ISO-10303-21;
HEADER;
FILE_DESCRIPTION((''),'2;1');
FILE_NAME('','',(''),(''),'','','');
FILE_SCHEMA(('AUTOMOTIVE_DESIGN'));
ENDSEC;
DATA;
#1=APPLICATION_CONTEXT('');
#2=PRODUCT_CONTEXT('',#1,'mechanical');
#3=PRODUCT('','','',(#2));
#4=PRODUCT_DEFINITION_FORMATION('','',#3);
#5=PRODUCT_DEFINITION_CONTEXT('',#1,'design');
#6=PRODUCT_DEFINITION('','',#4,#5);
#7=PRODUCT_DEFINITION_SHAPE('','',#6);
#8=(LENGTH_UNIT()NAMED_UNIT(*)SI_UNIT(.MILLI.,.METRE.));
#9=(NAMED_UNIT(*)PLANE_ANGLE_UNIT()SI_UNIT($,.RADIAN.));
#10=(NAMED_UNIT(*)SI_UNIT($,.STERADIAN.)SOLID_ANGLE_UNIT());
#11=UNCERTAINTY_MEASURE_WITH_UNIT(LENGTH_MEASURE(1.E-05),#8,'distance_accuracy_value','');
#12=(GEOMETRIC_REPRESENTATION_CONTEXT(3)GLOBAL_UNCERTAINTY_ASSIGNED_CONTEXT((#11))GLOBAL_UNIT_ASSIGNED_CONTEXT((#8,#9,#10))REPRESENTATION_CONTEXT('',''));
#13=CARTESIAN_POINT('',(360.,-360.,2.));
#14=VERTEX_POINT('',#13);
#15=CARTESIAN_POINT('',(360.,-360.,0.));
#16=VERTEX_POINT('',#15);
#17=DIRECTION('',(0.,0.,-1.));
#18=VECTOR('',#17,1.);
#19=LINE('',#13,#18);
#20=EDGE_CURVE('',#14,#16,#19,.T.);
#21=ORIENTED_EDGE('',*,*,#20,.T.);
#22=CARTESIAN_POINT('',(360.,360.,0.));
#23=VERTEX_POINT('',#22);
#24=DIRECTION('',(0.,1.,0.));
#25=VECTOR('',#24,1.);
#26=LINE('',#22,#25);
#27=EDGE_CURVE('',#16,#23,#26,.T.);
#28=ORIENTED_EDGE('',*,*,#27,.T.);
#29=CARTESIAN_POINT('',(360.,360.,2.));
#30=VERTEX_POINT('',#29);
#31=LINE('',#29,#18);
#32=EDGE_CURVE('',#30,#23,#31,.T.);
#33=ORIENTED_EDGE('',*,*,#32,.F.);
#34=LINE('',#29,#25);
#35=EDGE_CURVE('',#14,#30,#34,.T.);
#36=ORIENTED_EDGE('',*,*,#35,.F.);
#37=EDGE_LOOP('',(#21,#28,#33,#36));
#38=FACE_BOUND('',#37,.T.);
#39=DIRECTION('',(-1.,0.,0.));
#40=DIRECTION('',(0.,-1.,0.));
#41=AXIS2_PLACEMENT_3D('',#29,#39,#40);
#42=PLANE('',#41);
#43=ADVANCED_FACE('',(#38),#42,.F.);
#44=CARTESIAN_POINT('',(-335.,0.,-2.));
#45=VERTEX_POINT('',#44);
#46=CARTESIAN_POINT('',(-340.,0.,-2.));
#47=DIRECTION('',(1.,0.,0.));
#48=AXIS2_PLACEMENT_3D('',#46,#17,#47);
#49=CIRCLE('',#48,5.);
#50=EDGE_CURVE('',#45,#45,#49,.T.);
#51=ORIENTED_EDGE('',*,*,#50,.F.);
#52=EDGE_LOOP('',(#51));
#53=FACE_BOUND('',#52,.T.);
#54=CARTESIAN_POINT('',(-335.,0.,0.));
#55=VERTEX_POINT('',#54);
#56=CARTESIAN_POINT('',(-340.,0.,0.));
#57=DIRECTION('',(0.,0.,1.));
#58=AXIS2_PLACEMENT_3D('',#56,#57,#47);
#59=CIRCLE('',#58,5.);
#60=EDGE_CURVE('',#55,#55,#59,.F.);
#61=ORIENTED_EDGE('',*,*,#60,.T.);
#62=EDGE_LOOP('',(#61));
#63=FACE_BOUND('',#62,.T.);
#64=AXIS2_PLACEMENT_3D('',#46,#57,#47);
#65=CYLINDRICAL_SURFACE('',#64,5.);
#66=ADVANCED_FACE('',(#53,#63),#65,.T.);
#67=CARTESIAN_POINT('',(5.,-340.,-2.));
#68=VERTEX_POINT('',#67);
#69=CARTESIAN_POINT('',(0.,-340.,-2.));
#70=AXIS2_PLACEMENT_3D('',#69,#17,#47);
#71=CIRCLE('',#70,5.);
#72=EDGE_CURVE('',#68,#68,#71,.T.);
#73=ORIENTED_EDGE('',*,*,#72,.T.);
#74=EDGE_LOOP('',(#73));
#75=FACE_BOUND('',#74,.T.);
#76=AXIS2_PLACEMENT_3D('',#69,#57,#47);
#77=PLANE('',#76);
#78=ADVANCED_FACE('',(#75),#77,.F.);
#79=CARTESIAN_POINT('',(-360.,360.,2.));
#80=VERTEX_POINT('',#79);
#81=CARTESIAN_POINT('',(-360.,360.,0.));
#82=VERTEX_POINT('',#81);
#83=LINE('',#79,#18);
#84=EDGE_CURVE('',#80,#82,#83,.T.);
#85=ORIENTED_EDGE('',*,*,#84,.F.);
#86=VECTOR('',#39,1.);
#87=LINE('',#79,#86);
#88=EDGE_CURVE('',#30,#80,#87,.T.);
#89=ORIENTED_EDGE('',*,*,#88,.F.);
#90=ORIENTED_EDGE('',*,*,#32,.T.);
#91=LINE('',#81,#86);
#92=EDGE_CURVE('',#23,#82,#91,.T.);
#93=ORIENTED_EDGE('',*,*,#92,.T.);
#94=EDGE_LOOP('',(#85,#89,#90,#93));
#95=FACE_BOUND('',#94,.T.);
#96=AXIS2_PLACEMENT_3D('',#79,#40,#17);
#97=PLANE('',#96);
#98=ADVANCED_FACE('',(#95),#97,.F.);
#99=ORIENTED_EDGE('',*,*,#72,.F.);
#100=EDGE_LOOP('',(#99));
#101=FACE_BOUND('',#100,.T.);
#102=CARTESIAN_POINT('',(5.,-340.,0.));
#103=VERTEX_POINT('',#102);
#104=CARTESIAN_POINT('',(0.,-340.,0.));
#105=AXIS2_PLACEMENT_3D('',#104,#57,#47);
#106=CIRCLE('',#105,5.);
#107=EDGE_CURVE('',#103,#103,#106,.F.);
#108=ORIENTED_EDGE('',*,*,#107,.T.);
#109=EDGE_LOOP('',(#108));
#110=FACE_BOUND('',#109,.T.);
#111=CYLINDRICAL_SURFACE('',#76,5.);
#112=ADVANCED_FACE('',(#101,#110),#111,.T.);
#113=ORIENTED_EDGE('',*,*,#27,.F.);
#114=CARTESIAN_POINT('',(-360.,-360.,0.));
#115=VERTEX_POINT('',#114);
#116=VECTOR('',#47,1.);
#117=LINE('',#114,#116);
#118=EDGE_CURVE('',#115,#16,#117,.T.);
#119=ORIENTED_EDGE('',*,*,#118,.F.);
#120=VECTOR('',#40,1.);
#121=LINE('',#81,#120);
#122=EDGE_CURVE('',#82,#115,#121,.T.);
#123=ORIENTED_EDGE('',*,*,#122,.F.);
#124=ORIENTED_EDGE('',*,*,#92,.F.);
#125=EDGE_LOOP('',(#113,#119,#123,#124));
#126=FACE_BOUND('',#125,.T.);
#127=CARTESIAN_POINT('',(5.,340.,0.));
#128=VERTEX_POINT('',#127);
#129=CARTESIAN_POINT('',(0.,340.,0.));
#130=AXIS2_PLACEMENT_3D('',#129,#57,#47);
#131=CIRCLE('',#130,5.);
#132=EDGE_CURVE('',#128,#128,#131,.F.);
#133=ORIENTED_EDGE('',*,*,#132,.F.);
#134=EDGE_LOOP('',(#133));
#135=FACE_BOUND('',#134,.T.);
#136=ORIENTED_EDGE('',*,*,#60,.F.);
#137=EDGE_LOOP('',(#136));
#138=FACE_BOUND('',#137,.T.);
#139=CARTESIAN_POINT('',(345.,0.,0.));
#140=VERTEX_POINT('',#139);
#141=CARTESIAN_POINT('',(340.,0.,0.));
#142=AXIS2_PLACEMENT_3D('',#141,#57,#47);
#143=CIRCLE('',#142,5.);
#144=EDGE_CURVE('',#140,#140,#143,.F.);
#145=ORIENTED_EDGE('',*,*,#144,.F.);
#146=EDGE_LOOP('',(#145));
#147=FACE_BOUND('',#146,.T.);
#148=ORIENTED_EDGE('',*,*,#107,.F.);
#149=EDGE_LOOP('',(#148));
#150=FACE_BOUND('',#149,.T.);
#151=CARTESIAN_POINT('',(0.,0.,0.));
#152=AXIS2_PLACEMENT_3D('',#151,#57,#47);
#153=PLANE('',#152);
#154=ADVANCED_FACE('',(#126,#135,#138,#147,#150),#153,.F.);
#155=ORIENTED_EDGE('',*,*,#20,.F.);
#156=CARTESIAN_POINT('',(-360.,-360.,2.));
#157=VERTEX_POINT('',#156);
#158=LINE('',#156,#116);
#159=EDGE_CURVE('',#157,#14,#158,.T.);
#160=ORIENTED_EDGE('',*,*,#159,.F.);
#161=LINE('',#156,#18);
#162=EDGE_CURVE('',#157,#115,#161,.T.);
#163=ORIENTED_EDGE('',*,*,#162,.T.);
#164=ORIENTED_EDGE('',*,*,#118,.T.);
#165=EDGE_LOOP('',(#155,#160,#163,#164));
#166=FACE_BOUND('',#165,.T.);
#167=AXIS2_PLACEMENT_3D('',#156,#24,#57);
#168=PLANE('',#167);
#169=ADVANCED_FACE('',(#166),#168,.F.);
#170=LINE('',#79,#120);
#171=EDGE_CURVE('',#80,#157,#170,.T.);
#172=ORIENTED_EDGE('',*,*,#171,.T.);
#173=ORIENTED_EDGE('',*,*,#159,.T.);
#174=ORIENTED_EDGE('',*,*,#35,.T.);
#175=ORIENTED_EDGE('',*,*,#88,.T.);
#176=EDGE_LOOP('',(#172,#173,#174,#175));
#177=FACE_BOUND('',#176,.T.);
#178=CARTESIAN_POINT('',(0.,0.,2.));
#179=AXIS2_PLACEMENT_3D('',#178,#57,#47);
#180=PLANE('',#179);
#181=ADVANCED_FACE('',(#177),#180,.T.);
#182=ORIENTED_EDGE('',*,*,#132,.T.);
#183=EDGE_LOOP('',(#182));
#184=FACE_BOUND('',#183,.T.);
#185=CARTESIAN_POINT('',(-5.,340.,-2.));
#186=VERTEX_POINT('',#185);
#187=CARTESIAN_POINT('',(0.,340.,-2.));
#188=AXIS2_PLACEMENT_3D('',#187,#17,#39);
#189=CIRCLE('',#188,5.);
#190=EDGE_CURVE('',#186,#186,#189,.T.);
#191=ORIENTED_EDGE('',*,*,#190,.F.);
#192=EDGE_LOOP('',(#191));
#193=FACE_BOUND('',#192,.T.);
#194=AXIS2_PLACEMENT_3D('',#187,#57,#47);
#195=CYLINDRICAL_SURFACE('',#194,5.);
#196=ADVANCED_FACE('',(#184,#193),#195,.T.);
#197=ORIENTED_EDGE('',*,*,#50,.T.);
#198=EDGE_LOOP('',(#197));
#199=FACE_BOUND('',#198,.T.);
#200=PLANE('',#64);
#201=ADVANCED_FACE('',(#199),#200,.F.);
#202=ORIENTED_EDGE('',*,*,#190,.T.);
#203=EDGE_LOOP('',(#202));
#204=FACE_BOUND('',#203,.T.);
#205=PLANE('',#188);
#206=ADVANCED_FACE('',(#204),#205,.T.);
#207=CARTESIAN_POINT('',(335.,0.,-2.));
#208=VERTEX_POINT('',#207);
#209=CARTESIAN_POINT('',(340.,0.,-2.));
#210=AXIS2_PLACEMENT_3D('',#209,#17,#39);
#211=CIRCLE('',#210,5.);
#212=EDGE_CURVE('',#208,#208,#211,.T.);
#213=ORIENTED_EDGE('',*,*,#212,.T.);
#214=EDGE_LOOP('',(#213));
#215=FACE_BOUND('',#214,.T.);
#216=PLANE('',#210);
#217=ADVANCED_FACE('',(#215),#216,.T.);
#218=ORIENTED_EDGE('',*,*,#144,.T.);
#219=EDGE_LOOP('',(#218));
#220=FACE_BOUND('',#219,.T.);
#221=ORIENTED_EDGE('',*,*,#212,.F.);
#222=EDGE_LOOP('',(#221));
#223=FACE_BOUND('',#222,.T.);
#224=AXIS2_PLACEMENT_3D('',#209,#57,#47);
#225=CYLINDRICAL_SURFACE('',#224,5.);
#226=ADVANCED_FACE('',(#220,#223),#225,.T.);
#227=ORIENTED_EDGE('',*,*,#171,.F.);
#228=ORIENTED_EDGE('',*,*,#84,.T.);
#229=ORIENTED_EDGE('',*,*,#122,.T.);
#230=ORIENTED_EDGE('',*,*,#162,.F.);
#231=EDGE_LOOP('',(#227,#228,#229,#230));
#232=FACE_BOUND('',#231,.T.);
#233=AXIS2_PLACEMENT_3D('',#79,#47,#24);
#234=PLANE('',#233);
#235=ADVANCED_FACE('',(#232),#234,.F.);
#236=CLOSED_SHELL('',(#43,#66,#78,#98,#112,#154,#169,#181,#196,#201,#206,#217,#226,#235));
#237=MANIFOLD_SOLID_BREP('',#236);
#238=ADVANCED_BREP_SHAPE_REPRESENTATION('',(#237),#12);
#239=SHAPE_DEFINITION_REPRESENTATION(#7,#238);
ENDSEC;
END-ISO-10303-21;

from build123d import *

# Parameters (mm, degrees)
SKETCH1_W           = 720
SKETCH1_H           = 720
BOSS_EXTRUDE1_DEPTH = 2
SKETCH2_R           = 5
BOSS_EXTRUDE2_DEPTH = 2


with BuildPart() as part:
    # Sketch1 → Boss-Extrude1 (new body)
    with BuildSketch(Plane.XY):
        Rectangle(SKETCH1_W, SKETCH1_H)
    extrude(amount=BOSS_EXTRUDE1_DEPTH)

    # Sketch2 → Boss-Extrude2 (add)
    with BuildSketch(Plane(origin=(0, 0, 0), x_dir=(-1, 0, 0), z_dir=(0, 0, -1))):
        with Locations((0, 340)):
            Circle(SKETCH2_R)
        with Locations((-340, 0)):
            Circle(SKETCH2_R)
        with Locations((0, -340)):
            Circle(SKETCH2_R)
        with Locations((340, 0)):
            Circle(SKETCH2_R)
    extrude(amount=BOSS_EXTRUDE2_DEPTH)


solid = part.part
